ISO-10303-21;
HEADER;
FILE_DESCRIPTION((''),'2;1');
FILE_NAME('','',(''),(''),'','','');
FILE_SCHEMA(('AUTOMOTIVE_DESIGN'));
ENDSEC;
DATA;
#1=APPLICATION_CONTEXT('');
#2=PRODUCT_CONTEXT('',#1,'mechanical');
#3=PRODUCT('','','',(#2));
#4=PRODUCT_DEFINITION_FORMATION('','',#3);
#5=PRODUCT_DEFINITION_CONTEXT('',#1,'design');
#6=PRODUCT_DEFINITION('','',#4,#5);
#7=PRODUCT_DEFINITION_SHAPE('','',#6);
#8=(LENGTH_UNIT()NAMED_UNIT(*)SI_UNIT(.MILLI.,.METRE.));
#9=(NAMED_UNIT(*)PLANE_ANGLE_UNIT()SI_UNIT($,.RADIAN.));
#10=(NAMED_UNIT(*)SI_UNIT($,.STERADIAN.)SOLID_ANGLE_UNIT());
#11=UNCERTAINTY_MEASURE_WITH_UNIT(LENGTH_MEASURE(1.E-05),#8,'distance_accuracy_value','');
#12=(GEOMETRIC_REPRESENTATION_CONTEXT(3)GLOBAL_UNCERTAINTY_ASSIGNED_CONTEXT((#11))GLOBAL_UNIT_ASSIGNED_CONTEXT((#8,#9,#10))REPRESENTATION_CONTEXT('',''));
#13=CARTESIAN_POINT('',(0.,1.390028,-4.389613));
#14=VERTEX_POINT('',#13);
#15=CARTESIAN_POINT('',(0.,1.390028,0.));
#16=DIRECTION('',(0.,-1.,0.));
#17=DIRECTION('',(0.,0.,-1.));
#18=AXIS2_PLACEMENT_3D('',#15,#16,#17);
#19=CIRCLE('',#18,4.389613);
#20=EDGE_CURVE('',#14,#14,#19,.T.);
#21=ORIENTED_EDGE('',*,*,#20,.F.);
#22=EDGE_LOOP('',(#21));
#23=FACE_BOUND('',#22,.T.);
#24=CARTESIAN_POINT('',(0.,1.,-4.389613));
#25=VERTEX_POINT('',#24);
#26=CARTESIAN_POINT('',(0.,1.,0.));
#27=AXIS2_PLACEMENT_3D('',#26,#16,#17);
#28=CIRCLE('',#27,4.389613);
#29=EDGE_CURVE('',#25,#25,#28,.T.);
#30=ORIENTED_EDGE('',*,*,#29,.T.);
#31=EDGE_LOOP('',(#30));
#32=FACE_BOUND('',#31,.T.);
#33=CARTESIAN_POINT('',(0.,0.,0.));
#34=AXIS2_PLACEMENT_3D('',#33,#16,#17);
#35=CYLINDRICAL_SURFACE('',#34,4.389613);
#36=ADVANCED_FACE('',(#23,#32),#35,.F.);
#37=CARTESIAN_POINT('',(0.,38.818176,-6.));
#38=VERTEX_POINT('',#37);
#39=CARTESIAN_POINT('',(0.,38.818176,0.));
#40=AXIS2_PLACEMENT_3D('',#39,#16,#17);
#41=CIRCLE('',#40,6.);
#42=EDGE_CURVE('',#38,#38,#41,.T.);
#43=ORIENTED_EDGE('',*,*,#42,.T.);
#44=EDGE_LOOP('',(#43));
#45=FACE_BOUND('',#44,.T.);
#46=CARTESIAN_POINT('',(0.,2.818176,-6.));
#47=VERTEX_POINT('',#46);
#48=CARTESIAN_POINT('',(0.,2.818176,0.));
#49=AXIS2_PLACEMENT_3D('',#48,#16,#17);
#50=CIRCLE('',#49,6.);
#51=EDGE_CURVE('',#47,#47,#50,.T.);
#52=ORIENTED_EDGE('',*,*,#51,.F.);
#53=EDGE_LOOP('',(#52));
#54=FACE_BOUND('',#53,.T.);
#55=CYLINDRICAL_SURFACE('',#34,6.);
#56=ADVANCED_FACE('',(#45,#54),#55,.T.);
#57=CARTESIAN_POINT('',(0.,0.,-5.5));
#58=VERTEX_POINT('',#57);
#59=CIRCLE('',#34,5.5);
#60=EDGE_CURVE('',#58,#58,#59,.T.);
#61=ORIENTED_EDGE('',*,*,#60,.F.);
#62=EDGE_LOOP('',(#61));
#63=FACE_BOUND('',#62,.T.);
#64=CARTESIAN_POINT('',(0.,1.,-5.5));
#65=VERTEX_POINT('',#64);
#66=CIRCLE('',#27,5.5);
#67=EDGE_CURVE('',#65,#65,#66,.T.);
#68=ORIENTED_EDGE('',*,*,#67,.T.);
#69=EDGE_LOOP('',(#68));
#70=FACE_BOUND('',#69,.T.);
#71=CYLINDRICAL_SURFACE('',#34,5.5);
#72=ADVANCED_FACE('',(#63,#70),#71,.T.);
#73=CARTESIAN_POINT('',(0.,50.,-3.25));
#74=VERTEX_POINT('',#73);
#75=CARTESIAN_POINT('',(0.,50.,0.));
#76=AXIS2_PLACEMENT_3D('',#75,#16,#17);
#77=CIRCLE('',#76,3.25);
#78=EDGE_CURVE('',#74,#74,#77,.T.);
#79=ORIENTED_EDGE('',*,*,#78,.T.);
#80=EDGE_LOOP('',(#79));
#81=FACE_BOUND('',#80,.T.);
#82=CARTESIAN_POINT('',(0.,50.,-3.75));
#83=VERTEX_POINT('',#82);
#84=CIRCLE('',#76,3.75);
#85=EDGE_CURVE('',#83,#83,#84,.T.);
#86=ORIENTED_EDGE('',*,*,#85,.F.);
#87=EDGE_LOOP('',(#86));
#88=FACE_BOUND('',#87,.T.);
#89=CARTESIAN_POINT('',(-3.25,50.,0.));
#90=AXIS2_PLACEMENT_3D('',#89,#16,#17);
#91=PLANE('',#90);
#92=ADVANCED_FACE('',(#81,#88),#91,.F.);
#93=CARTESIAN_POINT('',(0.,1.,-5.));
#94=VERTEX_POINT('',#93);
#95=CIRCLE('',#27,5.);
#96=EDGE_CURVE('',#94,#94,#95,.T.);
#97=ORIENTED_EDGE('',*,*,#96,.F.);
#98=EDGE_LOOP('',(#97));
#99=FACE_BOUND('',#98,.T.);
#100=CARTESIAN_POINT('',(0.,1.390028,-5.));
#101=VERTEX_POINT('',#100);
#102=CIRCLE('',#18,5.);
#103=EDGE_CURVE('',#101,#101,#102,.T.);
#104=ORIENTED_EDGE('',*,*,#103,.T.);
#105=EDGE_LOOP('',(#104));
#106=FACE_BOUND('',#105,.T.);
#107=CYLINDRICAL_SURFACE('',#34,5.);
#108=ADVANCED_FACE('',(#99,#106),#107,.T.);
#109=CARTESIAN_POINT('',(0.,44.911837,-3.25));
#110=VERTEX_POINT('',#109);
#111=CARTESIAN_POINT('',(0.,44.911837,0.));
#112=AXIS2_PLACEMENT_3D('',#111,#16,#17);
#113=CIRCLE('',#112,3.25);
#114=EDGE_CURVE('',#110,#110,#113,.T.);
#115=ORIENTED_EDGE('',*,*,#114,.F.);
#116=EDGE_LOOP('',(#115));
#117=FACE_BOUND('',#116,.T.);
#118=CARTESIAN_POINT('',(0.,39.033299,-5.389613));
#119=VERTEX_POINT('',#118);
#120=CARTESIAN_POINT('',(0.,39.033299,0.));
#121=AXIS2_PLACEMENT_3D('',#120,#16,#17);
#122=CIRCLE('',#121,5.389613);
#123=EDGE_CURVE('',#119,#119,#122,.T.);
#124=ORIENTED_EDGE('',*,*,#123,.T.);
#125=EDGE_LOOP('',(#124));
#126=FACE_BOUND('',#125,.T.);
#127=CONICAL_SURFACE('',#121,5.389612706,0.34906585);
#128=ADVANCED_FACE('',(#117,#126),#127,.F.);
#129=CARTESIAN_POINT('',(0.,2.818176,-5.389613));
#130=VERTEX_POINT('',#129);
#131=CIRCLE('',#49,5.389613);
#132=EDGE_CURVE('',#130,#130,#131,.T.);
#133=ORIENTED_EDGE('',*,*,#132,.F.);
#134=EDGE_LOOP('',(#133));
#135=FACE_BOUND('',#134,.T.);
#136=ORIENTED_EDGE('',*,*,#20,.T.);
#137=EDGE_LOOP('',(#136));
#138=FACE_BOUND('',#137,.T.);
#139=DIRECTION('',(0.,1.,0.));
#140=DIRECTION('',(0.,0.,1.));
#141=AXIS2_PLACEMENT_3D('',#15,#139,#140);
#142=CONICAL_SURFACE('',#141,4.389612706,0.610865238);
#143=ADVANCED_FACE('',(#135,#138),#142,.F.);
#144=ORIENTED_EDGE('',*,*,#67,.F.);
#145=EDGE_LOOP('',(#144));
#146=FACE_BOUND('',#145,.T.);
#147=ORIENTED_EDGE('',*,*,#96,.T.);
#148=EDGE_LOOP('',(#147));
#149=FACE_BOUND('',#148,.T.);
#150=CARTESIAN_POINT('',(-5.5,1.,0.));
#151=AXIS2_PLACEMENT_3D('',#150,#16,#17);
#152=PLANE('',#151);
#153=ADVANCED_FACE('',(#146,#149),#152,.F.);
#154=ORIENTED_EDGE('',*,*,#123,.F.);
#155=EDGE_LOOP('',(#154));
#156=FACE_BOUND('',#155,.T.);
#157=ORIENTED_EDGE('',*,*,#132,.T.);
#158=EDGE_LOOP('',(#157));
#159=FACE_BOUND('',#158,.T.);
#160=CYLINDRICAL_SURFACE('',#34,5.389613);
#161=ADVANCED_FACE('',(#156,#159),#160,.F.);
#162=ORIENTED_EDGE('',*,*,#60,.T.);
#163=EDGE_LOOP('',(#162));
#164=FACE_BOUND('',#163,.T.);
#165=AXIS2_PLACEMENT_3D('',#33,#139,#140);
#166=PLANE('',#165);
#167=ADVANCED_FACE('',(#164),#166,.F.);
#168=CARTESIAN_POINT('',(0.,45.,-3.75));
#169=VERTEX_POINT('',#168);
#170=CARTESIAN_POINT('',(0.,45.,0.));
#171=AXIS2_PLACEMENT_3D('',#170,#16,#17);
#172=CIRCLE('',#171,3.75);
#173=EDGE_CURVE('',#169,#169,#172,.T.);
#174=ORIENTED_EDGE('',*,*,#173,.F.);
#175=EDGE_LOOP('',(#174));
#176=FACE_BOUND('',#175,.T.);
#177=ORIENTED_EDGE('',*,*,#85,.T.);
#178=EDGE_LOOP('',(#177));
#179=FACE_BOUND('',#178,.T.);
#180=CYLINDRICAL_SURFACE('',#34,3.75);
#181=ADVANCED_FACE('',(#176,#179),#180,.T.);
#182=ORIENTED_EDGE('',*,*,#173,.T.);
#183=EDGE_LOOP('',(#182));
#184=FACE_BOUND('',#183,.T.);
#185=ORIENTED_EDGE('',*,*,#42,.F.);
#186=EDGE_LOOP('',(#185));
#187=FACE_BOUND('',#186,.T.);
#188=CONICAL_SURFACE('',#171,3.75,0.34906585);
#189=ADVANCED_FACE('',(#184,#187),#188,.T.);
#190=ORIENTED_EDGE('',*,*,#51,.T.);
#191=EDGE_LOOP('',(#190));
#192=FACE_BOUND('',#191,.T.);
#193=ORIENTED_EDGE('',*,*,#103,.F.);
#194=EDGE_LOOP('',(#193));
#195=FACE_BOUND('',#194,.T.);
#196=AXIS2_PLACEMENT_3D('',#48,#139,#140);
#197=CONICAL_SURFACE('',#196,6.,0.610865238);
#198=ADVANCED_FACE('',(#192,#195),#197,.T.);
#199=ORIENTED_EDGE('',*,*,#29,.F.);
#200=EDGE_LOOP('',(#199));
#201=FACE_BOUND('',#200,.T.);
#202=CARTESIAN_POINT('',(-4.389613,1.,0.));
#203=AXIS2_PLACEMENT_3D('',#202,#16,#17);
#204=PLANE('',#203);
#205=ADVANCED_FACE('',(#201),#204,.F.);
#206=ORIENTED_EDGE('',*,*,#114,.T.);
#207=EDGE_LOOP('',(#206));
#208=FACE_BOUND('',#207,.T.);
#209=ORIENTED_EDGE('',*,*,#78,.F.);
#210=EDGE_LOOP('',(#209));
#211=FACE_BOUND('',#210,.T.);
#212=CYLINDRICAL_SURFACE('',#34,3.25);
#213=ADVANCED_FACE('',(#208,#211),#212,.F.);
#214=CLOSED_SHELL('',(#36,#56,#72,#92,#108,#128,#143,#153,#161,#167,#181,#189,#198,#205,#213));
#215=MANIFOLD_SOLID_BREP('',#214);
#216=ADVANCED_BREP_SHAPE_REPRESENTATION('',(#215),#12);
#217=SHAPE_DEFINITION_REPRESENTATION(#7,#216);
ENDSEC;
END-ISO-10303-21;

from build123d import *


with BuildPart() as part:
    # Esquisse1 → Révolution1 (revolve)
    with BuildSketch(Plane.XY, mode=Mode.PRIVATE) as r_volution1_sk:
        Polygon((-3.25, 50), (-3.75, 50), (-3.75, 45), (-6, 38.818175806), (-6, 2.818175806), (-5, 1.390027799), (-5, 1), (-5.5, 1), (-5.5, 0), (0, 0), (0, 1), (-4.389612706, 1), (-4.389612706, 1.390027799), (-5.389612706, 2.818175806), (-5.389612706, 39.033298915), (-3.25, 44.91183651), align=None)
    revolve(r_volution1_sk.sketch.rotate(Axis((0, 0, 0), (0, 1, 0)), 270), axis=Axis((0, 0, 0), (0, 1, 0)))


solid = part.part
